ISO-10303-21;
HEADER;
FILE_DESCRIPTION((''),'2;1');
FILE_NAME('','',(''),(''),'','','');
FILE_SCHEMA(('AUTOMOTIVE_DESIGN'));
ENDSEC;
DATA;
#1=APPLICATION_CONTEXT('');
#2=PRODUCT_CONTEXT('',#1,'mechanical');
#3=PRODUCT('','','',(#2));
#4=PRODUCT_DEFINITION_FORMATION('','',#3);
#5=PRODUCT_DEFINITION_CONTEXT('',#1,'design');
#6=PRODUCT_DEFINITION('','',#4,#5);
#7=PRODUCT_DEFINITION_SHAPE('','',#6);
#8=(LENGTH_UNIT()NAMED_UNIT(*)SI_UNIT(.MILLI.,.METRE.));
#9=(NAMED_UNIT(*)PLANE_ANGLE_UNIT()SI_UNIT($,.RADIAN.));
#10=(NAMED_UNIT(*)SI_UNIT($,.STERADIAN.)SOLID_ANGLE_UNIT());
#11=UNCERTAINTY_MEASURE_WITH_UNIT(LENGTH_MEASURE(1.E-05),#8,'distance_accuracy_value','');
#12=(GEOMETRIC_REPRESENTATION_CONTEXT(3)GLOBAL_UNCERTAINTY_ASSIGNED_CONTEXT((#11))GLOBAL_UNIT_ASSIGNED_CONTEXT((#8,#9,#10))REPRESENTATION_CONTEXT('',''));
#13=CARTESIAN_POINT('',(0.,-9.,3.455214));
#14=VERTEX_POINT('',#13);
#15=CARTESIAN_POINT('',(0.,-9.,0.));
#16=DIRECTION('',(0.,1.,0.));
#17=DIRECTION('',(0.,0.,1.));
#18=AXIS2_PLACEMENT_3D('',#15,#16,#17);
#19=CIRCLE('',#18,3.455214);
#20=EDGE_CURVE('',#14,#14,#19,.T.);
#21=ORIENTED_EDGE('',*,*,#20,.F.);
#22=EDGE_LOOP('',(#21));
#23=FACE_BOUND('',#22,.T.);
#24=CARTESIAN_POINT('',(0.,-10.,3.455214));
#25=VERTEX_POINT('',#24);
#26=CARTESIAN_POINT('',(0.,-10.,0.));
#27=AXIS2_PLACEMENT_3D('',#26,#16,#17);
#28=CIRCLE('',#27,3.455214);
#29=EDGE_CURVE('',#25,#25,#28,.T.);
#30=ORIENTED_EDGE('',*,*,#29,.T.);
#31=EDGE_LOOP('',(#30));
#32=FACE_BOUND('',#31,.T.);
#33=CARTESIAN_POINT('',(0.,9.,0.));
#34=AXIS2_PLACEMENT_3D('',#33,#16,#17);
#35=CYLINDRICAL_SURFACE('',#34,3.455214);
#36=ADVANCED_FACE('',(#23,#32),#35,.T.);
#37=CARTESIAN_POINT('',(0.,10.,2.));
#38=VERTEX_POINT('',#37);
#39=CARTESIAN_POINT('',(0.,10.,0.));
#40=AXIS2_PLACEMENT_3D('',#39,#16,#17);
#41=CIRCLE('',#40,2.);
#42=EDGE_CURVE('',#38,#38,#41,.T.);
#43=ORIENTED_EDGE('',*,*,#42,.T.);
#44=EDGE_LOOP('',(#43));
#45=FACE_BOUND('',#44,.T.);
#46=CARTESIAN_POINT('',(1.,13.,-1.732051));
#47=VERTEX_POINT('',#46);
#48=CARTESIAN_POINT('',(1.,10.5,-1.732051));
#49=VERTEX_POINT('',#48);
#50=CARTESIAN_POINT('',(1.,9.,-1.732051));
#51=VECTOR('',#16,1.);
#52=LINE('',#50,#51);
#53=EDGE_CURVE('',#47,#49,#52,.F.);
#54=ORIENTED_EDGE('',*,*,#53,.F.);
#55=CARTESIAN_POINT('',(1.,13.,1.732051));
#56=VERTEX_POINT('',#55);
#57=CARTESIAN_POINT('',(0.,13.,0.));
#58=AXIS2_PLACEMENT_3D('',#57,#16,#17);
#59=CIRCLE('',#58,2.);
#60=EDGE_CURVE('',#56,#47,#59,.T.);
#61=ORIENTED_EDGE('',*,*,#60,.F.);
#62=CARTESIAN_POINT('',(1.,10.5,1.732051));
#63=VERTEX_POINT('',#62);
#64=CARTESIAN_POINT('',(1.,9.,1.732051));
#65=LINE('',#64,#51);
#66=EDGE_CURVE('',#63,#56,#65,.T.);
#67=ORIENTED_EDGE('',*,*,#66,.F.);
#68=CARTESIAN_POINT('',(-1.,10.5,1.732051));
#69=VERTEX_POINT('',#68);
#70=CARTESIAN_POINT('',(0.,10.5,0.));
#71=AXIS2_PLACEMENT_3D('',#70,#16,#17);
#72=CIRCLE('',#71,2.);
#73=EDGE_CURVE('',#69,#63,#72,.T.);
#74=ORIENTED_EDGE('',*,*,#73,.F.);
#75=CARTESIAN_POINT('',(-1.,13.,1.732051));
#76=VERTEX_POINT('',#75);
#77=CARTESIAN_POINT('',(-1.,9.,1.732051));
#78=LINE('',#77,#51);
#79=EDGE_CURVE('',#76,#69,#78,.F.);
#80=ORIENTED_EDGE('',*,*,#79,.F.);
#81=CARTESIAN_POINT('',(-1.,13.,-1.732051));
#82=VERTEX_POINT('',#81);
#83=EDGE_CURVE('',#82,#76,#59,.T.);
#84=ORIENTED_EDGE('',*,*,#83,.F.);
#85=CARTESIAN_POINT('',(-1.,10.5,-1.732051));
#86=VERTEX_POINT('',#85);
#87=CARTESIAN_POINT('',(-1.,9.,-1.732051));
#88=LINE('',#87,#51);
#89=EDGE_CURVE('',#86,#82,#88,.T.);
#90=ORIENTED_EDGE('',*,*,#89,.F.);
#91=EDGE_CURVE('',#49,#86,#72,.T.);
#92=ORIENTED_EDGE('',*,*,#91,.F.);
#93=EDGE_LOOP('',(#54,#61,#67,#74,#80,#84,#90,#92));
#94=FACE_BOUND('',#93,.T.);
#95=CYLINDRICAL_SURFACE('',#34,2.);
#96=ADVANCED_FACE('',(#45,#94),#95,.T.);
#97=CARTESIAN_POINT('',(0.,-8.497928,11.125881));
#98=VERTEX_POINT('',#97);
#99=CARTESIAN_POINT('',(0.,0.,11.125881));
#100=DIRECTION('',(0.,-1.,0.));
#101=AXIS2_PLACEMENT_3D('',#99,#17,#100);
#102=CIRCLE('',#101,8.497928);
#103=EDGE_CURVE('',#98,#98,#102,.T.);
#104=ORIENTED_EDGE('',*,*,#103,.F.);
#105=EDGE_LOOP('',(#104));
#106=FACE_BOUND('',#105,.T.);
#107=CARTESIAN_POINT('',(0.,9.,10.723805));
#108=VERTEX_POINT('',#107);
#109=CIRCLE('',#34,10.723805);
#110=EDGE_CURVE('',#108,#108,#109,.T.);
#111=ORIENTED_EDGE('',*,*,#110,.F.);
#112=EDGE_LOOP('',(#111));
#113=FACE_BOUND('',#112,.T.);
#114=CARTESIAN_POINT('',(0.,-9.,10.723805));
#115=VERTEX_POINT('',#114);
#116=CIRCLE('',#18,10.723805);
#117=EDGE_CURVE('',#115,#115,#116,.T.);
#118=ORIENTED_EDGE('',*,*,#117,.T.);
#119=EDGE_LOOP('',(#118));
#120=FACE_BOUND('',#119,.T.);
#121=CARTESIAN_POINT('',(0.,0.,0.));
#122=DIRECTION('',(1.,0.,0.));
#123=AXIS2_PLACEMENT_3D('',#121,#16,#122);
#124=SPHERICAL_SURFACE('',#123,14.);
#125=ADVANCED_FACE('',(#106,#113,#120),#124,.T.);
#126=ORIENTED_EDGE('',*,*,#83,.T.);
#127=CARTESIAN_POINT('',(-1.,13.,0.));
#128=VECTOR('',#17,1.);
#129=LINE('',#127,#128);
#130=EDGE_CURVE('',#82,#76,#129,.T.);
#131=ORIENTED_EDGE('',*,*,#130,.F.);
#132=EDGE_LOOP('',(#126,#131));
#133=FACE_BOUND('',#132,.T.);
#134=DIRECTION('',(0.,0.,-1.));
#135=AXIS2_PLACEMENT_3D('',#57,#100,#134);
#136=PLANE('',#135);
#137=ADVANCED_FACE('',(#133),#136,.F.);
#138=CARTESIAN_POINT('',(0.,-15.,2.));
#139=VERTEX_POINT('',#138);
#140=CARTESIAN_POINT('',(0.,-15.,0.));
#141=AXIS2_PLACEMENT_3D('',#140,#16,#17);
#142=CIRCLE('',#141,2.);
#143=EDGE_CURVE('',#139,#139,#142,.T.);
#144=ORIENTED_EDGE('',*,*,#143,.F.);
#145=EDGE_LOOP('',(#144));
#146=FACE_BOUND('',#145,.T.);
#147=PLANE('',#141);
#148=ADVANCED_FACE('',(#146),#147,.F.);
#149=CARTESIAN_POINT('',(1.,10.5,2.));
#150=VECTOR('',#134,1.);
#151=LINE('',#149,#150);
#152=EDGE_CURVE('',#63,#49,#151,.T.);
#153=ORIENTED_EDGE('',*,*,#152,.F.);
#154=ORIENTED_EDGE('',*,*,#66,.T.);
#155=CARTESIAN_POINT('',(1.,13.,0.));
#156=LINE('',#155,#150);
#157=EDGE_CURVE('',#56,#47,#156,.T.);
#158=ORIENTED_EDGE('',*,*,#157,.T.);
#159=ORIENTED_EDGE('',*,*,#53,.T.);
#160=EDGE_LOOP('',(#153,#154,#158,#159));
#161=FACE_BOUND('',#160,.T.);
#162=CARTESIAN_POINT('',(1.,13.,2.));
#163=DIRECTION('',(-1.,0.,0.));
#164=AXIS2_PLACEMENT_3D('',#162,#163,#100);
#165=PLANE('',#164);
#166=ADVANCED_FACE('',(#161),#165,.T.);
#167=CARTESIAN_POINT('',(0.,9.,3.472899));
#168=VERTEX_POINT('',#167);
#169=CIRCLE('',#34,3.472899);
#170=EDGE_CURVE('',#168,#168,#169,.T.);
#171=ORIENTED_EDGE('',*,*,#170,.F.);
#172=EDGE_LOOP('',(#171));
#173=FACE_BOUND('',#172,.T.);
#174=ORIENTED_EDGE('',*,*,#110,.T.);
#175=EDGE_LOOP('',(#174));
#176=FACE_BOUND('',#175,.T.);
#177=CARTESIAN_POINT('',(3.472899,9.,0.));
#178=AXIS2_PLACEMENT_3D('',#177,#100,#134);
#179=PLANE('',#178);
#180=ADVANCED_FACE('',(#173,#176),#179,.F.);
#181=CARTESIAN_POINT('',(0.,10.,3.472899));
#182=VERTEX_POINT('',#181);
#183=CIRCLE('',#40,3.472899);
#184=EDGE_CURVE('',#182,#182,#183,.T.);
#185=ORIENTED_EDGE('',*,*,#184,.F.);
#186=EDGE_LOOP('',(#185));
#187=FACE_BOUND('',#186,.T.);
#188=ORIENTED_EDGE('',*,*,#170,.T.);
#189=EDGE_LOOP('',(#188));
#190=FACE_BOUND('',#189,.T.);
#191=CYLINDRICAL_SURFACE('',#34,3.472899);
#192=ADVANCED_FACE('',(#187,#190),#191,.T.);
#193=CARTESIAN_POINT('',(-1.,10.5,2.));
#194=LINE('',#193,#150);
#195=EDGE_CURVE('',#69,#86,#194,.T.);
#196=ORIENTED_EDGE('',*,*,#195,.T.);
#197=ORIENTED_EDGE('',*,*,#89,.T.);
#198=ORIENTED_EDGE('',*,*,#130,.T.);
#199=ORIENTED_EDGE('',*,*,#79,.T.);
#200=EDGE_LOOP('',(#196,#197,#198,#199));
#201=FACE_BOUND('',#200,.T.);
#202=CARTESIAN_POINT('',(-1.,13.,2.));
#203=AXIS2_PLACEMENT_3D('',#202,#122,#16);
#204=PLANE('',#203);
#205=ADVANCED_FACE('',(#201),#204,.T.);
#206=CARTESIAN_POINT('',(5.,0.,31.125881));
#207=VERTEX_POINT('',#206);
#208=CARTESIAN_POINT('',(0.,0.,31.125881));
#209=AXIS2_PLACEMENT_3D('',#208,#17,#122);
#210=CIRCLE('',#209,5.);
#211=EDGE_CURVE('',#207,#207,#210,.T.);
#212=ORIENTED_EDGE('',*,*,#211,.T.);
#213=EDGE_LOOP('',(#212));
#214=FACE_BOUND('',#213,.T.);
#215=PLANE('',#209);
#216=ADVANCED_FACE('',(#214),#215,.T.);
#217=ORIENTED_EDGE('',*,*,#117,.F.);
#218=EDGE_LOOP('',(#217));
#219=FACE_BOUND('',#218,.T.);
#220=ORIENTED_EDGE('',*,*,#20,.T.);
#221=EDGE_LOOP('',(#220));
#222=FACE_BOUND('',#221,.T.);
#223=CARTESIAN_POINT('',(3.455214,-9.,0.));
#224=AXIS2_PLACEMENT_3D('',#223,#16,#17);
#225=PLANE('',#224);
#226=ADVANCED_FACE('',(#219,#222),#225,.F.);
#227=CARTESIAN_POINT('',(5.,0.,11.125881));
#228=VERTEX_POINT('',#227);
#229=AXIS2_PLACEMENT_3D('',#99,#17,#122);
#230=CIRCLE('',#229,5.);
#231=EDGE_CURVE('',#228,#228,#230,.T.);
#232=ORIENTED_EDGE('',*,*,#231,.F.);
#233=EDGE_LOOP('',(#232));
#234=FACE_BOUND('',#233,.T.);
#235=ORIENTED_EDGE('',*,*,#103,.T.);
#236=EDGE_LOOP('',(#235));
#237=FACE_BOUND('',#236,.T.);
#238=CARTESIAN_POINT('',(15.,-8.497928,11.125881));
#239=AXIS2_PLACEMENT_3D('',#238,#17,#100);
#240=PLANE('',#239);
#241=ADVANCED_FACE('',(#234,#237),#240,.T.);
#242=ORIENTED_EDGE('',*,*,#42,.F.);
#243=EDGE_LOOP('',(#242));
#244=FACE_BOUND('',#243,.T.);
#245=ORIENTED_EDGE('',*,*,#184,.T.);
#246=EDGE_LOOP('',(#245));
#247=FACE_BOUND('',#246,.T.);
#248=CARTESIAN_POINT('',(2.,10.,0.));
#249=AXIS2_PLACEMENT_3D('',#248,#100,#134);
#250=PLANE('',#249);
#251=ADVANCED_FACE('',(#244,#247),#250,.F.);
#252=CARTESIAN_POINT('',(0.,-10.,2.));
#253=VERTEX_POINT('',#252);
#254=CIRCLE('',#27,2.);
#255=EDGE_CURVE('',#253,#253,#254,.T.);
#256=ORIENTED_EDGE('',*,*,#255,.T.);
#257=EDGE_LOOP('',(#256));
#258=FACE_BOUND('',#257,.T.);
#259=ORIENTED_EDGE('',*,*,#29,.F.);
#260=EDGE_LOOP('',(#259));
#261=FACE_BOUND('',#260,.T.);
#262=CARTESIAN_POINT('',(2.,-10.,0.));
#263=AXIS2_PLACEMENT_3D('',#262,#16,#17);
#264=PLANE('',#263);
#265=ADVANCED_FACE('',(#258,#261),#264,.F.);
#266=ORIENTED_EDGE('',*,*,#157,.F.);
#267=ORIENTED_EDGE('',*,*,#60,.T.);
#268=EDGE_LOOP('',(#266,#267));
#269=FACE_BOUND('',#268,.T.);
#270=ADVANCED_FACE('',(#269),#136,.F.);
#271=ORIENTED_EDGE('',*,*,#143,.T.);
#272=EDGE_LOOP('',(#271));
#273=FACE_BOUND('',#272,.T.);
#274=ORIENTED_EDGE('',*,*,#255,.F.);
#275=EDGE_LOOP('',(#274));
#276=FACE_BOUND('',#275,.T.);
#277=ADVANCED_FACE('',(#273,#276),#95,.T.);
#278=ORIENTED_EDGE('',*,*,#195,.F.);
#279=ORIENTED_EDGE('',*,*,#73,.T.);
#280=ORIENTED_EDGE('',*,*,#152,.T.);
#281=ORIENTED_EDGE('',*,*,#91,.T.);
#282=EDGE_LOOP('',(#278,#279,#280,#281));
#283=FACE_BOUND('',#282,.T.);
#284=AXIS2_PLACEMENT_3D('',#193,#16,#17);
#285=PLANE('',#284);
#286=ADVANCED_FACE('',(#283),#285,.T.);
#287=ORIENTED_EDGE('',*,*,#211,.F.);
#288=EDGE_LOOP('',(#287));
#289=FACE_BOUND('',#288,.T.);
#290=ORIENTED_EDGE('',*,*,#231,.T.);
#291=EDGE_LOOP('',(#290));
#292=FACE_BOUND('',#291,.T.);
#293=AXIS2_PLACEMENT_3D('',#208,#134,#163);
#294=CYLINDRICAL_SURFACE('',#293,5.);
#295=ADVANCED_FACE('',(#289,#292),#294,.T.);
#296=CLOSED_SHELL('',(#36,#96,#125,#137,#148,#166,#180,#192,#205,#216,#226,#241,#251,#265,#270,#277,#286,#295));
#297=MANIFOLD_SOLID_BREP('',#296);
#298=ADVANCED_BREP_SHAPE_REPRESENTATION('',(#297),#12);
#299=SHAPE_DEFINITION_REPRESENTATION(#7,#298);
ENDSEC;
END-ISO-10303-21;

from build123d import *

# Parameters (mm, degrees)
CORTAR_EXTRUIR1_DEPTH      = 15
CORTAR_EXTRUIR1_DEPTH_BACK = 10
CROQUIS2_W                 = 7.74823864
CROQUIS2_H                 = 16.99585586
CROQUIS4_R                 = 5
SALIENTE_EXTRUIR2_DEPTH    = 20
CORTAR_EXTRUIR2_DEPTH      = 2
CORTAR_EXTRUIR2_DEPTH_BACK = 2
CROQUIS6_W                 = 2
CROQUIS6_H                 = 2.5


with BuildPart() as part:
    # Croquis1 → Revolución2 (revolve)
    with BuildSketch(Plane.XY, mode=Mode.PRIVATE) as revoluci_n2_sk:
        with BuildLine():
            Line((0, 9), (0, -11))
            Line((0, -11), (0, -12))
            Line((0, -12), (0, -15))
            Line((0, -15), (2, -15))
            Line((2, -15), (2, -10))
            Line((2, -10), (3.455214016, -10))
            Line((3.455214016, -10), (3.455214016, -9))
            Line((3.455214016, -9), (10.723805295, -9))
            ThreePointArc((10.723805295, -9), (14, 0), (10.723805295, 9))
            Line((10.723805295, 9), (3.47289893, 9))
            Line((3.47289893, 9), (3.47289893, 10))
            Line((3.47289893, 10), (2, 10))
            Line((2, 10), (2, 13))
            Line((2, 13), (0, 13))
            Line((0, 13), (0, 10))
            Line((0, 10), (0, 9))
        make_face()
    revolve(revoluci_n2_sk.sketch.rotate(Axis((0, 9, 0), (0, -1, 0)), 90), axis=Axis((0, 9, 0), (0, -1, 0)))

    # Croquis2 → Cortar-Extruir1 (cut, two sides: drawn at the far end of the back side and taken through both)
    with BuildSketch(Plane(origin=(0, 0, 0), x_dir=(0, 0, -1), z_dir=(1, 0, 0)).offset(-CORTAR_EXTRUIR1_DEPTH_BACK)):
        with Locations((-15, 0)):
            Rectangle(CROQUIS2_W, CROQUIS2_H)
    extrude(amount=CORTAR_EXTRUIR1_DEPTH + CORTAR_EXTRUIR1_DEPTH_BACK, mode=Mode.SUBTRACT)

    # Croquis4 → Saliente-Extruir2 (add)
    with BuildSketch(Plane.XY.offset(11.12588068)):
        Circle(CROQUIS4_R)
    extrude(amount=SALIENTE_EXTRUIR2_DEPTH)

    # Croquis6 → Cortar-Extruir2 (cut, two sides: drawn at the far end of the back side and taken through both)
    with BuildSketch(Plane.XY.offset(-CORTAR_EXTRUIR2_DEPTH_BACK)):
        with Locations((0, 11.75)):
            Rectangle(CROQUIS6_W, CROQUIS6_H)
    extrude(amount=CORTAR_EXTRUIR2_DEPTH + CORTAR_EXTRUIR2_DEPTH_BACK, mode=Mode.SUBTRACT)


solid = part.part
